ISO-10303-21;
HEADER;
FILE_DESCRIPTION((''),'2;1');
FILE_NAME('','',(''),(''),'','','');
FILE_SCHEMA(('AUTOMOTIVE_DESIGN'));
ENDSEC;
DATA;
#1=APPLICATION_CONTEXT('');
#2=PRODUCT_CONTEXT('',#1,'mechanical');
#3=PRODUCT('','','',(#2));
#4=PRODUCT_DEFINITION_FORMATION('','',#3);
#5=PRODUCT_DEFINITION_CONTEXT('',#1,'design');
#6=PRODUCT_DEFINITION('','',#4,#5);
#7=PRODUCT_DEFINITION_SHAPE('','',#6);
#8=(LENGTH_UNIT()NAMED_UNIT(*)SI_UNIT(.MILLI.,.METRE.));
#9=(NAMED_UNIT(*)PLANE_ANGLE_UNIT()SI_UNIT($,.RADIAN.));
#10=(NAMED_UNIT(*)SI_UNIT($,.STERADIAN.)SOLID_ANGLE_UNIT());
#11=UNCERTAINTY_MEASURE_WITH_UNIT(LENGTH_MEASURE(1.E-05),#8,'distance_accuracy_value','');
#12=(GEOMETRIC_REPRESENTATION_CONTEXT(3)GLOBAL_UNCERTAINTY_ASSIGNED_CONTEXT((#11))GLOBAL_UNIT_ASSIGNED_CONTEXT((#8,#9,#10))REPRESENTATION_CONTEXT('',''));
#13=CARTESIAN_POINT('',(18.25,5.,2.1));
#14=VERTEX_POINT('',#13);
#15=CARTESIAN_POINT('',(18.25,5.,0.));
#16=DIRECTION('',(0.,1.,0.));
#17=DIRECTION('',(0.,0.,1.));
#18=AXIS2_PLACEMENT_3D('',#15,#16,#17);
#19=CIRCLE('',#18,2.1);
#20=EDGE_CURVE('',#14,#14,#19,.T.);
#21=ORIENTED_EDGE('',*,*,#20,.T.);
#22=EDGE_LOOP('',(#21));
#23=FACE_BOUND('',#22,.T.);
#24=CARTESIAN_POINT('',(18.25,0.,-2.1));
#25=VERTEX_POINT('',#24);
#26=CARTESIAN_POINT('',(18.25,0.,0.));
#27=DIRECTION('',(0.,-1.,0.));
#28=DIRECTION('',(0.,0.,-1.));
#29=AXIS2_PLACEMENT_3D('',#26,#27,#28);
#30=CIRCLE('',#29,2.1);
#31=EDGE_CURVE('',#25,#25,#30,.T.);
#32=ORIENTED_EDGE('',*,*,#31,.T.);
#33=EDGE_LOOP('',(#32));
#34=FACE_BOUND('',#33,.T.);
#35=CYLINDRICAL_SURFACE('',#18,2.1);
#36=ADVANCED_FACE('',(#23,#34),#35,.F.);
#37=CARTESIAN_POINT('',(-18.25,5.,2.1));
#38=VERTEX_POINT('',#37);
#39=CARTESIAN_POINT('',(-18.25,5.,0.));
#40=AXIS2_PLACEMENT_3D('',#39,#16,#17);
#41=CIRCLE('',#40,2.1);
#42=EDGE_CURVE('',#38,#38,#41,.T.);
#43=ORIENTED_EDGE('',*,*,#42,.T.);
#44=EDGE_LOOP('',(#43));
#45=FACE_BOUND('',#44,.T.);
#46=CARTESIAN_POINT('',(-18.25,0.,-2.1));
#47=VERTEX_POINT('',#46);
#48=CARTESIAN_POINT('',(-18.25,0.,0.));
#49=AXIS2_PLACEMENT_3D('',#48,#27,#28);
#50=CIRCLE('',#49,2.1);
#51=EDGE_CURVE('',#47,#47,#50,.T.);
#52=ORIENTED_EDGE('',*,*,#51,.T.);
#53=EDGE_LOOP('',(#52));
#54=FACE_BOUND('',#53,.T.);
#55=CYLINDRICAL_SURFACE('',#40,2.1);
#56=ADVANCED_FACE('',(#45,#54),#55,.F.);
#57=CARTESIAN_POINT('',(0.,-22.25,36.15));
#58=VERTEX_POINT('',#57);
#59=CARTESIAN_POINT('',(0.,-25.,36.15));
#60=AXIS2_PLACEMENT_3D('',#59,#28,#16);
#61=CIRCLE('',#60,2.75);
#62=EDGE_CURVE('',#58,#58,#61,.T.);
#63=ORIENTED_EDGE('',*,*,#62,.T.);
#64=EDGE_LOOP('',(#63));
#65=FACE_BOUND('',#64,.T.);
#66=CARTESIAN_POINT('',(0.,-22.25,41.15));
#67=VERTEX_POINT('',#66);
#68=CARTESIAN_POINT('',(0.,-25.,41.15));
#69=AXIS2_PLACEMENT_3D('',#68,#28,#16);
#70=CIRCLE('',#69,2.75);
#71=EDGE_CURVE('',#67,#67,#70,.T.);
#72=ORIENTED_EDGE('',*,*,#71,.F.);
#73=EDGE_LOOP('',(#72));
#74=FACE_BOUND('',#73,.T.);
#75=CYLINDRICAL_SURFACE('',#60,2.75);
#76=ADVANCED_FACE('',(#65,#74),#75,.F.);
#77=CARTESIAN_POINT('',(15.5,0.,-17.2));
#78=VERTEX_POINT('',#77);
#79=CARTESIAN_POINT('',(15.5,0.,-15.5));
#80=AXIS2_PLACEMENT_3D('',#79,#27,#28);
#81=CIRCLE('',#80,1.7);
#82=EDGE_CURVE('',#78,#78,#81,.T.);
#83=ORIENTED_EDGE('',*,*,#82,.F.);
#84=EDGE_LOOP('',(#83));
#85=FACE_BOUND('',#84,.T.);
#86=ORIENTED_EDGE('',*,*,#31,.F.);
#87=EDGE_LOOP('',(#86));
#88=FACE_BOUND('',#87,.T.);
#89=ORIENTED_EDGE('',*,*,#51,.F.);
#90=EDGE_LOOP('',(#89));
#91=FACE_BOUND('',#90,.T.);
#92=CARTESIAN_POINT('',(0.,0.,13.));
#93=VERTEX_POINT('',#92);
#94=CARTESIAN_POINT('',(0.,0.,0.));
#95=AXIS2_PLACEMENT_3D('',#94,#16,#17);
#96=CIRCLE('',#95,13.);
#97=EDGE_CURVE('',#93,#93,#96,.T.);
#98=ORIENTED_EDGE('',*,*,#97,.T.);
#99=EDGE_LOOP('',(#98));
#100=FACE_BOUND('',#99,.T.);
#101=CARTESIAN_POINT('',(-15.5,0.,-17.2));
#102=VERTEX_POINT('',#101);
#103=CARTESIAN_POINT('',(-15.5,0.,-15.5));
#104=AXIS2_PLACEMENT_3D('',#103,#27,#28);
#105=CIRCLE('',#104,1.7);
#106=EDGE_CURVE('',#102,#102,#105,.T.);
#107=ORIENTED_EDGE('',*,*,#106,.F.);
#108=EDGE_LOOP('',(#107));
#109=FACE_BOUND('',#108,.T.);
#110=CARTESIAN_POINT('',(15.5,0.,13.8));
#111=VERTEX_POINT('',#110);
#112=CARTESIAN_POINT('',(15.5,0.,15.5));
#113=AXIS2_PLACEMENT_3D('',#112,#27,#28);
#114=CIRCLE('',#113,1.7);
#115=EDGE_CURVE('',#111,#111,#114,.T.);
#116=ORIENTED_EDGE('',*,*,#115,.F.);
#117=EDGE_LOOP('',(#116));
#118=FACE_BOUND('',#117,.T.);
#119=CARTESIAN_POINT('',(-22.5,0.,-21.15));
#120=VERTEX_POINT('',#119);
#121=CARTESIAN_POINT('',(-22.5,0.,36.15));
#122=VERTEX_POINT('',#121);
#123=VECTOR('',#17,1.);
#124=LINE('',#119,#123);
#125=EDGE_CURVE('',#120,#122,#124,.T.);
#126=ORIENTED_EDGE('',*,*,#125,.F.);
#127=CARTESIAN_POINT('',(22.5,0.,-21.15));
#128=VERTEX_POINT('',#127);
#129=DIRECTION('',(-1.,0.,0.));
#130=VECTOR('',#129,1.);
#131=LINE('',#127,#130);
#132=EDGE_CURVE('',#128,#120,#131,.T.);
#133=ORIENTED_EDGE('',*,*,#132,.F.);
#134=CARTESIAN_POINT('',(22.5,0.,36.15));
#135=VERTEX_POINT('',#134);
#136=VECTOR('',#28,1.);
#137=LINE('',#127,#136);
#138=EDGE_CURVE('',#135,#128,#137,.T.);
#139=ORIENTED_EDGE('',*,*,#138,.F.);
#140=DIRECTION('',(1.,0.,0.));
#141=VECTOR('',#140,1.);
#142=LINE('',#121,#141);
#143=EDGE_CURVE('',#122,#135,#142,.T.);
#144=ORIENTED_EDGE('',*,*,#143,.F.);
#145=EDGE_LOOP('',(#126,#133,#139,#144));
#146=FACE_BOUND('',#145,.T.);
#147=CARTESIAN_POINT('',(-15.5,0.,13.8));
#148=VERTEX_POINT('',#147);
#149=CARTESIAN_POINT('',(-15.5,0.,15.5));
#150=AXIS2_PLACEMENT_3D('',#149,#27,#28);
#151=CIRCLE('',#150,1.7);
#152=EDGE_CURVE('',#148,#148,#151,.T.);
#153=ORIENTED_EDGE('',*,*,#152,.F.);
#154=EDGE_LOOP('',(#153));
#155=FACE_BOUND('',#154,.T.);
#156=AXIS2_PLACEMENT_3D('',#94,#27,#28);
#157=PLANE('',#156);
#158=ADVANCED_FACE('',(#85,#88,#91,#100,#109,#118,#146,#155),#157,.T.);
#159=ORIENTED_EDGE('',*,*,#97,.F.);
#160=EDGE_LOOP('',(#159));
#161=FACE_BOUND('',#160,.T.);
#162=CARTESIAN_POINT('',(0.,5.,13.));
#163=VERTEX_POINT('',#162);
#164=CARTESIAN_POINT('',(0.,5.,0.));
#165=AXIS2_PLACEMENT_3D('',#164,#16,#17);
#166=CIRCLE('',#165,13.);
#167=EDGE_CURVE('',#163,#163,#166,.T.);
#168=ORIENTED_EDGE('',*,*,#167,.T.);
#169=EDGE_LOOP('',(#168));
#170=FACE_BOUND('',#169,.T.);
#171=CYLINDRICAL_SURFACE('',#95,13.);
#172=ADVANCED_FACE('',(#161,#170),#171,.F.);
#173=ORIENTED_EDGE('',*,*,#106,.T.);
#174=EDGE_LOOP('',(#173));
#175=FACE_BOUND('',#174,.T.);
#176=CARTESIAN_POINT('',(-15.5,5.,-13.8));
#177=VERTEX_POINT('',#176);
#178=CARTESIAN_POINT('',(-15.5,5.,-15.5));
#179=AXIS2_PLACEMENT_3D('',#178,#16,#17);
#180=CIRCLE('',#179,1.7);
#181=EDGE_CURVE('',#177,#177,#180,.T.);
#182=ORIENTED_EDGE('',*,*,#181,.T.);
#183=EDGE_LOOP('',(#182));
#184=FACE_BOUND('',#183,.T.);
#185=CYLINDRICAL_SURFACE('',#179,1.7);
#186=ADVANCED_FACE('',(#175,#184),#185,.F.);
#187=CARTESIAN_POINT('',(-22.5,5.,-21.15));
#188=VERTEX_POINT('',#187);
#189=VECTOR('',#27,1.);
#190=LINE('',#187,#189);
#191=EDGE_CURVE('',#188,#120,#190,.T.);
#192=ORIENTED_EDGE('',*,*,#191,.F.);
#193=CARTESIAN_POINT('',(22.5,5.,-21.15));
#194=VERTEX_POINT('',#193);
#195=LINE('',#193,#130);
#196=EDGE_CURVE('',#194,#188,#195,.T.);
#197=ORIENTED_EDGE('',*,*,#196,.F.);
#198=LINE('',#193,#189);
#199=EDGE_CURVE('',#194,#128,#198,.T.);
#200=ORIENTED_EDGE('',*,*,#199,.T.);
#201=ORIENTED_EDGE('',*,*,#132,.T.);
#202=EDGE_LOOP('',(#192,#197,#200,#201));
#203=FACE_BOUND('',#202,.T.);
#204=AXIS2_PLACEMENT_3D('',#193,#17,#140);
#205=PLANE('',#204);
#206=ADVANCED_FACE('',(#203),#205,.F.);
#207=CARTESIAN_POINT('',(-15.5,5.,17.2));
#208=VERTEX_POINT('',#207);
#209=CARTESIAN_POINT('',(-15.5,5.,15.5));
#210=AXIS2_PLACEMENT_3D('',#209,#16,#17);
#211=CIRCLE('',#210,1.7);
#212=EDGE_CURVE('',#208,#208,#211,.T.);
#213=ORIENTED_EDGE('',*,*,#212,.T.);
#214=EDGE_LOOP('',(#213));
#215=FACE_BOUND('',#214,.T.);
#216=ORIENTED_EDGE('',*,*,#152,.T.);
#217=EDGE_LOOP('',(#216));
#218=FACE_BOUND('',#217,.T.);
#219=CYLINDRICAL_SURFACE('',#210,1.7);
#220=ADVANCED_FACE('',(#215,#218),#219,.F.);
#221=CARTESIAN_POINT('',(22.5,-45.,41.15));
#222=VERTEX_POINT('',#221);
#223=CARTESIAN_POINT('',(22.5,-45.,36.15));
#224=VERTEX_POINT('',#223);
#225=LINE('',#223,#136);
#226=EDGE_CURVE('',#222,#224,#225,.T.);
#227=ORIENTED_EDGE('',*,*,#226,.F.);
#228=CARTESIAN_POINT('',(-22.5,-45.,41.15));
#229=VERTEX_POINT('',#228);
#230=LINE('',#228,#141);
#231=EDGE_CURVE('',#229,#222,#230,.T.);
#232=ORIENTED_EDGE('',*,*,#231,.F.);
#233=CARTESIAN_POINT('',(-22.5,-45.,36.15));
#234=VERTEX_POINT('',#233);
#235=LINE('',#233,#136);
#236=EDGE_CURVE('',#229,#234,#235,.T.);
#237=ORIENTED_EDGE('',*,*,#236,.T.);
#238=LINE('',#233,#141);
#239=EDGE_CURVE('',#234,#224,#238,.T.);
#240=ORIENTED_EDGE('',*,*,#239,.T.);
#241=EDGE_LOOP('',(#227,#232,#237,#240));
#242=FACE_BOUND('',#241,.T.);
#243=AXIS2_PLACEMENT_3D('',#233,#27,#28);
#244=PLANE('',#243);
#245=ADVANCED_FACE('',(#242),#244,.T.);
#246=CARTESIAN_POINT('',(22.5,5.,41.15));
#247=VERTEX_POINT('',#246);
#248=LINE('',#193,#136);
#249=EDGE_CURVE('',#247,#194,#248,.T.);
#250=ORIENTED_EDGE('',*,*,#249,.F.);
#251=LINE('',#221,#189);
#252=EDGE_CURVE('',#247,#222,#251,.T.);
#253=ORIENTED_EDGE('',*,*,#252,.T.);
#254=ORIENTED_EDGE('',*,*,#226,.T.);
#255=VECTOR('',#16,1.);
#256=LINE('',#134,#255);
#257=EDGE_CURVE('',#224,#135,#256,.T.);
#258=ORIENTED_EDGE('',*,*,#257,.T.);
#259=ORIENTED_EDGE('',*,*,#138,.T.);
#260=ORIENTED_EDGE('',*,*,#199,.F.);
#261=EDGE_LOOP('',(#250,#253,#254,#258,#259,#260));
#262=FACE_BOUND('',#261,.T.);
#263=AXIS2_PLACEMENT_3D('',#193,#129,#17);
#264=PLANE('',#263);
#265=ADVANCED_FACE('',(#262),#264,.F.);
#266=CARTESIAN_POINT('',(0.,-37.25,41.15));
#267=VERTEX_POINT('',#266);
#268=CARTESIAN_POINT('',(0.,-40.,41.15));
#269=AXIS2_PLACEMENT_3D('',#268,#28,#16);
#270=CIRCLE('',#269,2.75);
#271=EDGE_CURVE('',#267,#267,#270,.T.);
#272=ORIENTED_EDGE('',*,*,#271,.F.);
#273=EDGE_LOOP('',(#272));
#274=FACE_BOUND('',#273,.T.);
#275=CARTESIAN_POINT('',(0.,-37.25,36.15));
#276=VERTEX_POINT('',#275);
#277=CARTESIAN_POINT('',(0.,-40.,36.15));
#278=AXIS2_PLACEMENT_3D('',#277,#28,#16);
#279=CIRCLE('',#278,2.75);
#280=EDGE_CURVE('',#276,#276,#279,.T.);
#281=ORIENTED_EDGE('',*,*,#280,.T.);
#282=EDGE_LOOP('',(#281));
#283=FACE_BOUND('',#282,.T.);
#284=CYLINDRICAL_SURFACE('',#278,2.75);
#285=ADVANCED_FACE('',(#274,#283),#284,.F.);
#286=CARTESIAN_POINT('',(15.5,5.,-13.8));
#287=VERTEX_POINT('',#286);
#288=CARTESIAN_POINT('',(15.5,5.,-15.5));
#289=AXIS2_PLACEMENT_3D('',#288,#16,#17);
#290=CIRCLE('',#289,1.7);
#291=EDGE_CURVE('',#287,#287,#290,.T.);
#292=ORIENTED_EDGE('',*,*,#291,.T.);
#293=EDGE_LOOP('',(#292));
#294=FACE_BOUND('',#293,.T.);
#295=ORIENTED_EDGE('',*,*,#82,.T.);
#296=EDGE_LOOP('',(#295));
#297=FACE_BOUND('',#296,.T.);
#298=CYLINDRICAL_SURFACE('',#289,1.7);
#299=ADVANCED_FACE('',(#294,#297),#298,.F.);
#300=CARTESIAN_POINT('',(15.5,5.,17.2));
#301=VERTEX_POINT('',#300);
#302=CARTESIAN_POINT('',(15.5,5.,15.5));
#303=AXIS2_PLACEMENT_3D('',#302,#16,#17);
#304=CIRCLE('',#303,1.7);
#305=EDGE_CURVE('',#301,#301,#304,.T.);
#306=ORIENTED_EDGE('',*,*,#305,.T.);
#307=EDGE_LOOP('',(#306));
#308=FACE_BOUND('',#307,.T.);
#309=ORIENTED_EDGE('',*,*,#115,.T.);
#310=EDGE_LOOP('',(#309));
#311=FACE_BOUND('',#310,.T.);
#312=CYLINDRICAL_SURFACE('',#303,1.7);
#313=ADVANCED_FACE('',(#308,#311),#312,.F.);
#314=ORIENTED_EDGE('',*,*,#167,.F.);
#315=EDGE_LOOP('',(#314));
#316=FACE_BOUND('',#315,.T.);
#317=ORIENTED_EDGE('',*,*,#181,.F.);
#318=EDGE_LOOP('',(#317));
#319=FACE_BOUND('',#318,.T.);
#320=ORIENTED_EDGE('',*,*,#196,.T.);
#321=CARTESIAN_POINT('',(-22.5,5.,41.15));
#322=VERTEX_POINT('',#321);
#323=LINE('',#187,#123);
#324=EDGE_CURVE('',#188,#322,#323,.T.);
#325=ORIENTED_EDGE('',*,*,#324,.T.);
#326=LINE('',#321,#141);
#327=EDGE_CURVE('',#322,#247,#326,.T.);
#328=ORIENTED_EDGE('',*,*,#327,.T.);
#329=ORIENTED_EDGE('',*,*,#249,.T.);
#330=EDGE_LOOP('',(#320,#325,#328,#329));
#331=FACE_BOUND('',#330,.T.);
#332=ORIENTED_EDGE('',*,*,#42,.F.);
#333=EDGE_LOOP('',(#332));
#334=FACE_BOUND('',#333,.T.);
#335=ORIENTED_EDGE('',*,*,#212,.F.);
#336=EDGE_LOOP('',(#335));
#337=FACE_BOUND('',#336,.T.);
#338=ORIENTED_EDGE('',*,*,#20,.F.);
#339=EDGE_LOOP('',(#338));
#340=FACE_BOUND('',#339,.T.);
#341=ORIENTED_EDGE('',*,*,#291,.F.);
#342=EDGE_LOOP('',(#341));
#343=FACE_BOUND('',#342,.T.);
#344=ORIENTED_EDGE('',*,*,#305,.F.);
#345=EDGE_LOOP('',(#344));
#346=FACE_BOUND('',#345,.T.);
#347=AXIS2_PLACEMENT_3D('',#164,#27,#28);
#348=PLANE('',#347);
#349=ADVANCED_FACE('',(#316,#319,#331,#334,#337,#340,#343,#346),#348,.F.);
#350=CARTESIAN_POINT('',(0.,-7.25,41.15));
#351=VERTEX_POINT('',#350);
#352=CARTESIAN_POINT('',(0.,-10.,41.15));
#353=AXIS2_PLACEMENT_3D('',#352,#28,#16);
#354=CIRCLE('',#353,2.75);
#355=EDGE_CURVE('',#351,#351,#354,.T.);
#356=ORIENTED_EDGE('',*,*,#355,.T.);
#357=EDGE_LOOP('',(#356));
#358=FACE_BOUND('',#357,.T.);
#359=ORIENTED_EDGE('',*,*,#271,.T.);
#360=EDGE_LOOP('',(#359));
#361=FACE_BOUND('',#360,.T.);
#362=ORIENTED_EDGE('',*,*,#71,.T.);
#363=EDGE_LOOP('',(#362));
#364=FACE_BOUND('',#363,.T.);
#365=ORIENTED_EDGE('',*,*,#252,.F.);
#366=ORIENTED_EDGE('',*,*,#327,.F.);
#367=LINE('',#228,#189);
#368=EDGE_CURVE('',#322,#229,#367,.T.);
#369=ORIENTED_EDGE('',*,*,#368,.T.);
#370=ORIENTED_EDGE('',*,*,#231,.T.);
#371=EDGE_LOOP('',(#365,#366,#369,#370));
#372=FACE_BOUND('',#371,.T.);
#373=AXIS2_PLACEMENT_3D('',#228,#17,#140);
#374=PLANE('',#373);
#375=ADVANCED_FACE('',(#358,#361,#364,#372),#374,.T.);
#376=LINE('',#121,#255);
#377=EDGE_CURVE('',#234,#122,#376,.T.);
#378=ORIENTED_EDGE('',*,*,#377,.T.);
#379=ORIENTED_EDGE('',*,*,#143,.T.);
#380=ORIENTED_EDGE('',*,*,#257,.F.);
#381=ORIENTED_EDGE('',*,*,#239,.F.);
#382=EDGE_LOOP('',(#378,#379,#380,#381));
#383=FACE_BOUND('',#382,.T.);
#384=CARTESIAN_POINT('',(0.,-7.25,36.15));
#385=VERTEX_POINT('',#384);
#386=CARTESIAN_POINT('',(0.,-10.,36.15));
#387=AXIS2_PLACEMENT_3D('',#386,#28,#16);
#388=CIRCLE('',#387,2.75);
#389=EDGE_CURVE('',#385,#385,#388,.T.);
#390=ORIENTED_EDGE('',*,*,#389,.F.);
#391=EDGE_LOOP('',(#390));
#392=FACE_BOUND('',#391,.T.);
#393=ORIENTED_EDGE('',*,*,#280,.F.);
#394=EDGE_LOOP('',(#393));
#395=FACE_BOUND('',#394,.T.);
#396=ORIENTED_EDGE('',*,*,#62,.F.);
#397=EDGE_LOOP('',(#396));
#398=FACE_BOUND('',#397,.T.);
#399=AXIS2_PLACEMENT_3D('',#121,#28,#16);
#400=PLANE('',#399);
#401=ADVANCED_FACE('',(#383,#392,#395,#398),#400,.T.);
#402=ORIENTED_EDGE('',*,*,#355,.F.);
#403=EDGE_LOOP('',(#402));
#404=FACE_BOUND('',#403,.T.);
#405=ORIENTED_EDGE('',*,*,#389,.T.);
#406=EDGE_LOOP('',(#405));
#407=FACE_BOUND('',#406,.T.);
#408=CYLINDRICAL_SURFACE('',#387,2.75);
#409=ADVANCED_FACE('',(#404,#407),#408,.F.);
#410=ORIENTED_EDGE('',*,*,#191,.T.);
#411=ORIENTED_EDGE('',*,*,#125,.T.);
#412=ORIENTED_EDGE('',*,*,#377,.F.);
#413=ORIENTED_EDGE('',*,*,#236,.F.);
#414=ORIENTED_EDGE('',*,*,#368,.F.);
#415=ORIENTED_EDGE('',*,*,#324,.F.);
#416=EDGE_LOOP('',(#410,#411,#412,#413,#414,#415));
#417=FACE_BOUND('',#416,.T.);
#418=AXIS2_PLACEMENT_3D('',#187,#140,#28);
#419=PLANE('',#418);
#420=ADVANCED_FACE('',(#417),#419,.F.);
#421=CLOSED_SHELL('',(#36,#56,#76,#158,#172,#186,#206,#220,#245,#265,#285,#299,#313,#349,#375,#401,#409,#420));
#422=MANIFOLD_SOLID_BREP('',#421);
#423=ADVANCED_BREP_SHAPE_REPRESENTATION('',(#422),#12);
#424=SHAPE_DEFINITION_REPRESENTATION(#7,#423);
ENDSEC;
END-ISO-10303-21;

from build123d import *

# Parameters (mm, degrees)
SKETCH2_W             = 45
SKETCH2_H             = 42.3
BOSS_EXTRUDE1_DEPTH   = 5
BOSS_EXTRUDE2_DEPTH   = 45
M5_CLEARANCE_HOLE1_D  = 5.5
SKETCH6_R             = 13
CUT_EXTRUDE1_DEPTH    = 5
M3_CLEARANCE_HOLE1_D  = 3.4
M5X0_8_TAPPED_HOLE1_D = 4.2


with BuildPart() as part:
    # Sketch2 → Boss-Extrude1 (new body)
    with BuildSketch(Plane(origin=(0, 0, 0), x_dir=(1, 0, 0), z_dir=(0, 1, 0))):
        Rectangle(SKETCH2_W, SKETCH2_H)
    extrude(amount=BOSS_EXTRUDE1_DEPTH)

    # Sketch3 → Boss-Extrude2 (add, through all)
    with BuildSketch(Plane(origin=(22.5, 0, 0), x_dir=(0, 0, -1), z_dir=(1, 0, 0))):
        Polygon((-21.15, 0), (-36.15, 0), (-36.15, -45), (-41.15, -45), (-41.15, 5), (-21.15, 5), align=None)
    extrude(amount=-BOSS_EXTRUDE2_DEPTH)

    # M5 Clearance Hole1 (through all)
    with Locations(Plane(origin=(0, 0, 36.15), x_dir=(-1, 0, 0), z_dir=(0, 0, -1))):
        with Locations((0, -10), (0, -25), (0, -40)):
            Hole(M5_CLEARANCE_HOLE1_D / 2)

    # Sketch6 → Cut-Extrude1 (cut)
    with BuildSketch(Plane(origin=(0, 5, 0), x_dir=(1, 0, 0), z_dir=(0, 1, 0))):
        Circle(SKETCH6_R)
    extrude(amount=-CUT_EXTRUDE1_DEPTH, mode=Mode.SUBTRACT)

    # M3 Clearance Hole1 (through all)
    with Locations(Plane(origin=(0, 5, 0), x_dir=(1, 0, 0), z_dir=(0, 1, 0))):
        with Locations((-15.5, 15.5), (-15.5, -15.5), (15.5, -15.5), (15.5, 15.5)):
            Hole(M3_CLEARANCE_HOLE1_D / 2)

    # M5x0.8 Tapped Hole1 (through all)
    with Locations(Plane(origin=(0, 5, 0), x_dir=(1, 0, 0), z_dir=(0, 1, 0))):
        with Locations((-18.25, 0), (18.25, 0)):
            Hole(M5X0_8_TAPPED_HOLE1_D / 2)


solid = part.part
